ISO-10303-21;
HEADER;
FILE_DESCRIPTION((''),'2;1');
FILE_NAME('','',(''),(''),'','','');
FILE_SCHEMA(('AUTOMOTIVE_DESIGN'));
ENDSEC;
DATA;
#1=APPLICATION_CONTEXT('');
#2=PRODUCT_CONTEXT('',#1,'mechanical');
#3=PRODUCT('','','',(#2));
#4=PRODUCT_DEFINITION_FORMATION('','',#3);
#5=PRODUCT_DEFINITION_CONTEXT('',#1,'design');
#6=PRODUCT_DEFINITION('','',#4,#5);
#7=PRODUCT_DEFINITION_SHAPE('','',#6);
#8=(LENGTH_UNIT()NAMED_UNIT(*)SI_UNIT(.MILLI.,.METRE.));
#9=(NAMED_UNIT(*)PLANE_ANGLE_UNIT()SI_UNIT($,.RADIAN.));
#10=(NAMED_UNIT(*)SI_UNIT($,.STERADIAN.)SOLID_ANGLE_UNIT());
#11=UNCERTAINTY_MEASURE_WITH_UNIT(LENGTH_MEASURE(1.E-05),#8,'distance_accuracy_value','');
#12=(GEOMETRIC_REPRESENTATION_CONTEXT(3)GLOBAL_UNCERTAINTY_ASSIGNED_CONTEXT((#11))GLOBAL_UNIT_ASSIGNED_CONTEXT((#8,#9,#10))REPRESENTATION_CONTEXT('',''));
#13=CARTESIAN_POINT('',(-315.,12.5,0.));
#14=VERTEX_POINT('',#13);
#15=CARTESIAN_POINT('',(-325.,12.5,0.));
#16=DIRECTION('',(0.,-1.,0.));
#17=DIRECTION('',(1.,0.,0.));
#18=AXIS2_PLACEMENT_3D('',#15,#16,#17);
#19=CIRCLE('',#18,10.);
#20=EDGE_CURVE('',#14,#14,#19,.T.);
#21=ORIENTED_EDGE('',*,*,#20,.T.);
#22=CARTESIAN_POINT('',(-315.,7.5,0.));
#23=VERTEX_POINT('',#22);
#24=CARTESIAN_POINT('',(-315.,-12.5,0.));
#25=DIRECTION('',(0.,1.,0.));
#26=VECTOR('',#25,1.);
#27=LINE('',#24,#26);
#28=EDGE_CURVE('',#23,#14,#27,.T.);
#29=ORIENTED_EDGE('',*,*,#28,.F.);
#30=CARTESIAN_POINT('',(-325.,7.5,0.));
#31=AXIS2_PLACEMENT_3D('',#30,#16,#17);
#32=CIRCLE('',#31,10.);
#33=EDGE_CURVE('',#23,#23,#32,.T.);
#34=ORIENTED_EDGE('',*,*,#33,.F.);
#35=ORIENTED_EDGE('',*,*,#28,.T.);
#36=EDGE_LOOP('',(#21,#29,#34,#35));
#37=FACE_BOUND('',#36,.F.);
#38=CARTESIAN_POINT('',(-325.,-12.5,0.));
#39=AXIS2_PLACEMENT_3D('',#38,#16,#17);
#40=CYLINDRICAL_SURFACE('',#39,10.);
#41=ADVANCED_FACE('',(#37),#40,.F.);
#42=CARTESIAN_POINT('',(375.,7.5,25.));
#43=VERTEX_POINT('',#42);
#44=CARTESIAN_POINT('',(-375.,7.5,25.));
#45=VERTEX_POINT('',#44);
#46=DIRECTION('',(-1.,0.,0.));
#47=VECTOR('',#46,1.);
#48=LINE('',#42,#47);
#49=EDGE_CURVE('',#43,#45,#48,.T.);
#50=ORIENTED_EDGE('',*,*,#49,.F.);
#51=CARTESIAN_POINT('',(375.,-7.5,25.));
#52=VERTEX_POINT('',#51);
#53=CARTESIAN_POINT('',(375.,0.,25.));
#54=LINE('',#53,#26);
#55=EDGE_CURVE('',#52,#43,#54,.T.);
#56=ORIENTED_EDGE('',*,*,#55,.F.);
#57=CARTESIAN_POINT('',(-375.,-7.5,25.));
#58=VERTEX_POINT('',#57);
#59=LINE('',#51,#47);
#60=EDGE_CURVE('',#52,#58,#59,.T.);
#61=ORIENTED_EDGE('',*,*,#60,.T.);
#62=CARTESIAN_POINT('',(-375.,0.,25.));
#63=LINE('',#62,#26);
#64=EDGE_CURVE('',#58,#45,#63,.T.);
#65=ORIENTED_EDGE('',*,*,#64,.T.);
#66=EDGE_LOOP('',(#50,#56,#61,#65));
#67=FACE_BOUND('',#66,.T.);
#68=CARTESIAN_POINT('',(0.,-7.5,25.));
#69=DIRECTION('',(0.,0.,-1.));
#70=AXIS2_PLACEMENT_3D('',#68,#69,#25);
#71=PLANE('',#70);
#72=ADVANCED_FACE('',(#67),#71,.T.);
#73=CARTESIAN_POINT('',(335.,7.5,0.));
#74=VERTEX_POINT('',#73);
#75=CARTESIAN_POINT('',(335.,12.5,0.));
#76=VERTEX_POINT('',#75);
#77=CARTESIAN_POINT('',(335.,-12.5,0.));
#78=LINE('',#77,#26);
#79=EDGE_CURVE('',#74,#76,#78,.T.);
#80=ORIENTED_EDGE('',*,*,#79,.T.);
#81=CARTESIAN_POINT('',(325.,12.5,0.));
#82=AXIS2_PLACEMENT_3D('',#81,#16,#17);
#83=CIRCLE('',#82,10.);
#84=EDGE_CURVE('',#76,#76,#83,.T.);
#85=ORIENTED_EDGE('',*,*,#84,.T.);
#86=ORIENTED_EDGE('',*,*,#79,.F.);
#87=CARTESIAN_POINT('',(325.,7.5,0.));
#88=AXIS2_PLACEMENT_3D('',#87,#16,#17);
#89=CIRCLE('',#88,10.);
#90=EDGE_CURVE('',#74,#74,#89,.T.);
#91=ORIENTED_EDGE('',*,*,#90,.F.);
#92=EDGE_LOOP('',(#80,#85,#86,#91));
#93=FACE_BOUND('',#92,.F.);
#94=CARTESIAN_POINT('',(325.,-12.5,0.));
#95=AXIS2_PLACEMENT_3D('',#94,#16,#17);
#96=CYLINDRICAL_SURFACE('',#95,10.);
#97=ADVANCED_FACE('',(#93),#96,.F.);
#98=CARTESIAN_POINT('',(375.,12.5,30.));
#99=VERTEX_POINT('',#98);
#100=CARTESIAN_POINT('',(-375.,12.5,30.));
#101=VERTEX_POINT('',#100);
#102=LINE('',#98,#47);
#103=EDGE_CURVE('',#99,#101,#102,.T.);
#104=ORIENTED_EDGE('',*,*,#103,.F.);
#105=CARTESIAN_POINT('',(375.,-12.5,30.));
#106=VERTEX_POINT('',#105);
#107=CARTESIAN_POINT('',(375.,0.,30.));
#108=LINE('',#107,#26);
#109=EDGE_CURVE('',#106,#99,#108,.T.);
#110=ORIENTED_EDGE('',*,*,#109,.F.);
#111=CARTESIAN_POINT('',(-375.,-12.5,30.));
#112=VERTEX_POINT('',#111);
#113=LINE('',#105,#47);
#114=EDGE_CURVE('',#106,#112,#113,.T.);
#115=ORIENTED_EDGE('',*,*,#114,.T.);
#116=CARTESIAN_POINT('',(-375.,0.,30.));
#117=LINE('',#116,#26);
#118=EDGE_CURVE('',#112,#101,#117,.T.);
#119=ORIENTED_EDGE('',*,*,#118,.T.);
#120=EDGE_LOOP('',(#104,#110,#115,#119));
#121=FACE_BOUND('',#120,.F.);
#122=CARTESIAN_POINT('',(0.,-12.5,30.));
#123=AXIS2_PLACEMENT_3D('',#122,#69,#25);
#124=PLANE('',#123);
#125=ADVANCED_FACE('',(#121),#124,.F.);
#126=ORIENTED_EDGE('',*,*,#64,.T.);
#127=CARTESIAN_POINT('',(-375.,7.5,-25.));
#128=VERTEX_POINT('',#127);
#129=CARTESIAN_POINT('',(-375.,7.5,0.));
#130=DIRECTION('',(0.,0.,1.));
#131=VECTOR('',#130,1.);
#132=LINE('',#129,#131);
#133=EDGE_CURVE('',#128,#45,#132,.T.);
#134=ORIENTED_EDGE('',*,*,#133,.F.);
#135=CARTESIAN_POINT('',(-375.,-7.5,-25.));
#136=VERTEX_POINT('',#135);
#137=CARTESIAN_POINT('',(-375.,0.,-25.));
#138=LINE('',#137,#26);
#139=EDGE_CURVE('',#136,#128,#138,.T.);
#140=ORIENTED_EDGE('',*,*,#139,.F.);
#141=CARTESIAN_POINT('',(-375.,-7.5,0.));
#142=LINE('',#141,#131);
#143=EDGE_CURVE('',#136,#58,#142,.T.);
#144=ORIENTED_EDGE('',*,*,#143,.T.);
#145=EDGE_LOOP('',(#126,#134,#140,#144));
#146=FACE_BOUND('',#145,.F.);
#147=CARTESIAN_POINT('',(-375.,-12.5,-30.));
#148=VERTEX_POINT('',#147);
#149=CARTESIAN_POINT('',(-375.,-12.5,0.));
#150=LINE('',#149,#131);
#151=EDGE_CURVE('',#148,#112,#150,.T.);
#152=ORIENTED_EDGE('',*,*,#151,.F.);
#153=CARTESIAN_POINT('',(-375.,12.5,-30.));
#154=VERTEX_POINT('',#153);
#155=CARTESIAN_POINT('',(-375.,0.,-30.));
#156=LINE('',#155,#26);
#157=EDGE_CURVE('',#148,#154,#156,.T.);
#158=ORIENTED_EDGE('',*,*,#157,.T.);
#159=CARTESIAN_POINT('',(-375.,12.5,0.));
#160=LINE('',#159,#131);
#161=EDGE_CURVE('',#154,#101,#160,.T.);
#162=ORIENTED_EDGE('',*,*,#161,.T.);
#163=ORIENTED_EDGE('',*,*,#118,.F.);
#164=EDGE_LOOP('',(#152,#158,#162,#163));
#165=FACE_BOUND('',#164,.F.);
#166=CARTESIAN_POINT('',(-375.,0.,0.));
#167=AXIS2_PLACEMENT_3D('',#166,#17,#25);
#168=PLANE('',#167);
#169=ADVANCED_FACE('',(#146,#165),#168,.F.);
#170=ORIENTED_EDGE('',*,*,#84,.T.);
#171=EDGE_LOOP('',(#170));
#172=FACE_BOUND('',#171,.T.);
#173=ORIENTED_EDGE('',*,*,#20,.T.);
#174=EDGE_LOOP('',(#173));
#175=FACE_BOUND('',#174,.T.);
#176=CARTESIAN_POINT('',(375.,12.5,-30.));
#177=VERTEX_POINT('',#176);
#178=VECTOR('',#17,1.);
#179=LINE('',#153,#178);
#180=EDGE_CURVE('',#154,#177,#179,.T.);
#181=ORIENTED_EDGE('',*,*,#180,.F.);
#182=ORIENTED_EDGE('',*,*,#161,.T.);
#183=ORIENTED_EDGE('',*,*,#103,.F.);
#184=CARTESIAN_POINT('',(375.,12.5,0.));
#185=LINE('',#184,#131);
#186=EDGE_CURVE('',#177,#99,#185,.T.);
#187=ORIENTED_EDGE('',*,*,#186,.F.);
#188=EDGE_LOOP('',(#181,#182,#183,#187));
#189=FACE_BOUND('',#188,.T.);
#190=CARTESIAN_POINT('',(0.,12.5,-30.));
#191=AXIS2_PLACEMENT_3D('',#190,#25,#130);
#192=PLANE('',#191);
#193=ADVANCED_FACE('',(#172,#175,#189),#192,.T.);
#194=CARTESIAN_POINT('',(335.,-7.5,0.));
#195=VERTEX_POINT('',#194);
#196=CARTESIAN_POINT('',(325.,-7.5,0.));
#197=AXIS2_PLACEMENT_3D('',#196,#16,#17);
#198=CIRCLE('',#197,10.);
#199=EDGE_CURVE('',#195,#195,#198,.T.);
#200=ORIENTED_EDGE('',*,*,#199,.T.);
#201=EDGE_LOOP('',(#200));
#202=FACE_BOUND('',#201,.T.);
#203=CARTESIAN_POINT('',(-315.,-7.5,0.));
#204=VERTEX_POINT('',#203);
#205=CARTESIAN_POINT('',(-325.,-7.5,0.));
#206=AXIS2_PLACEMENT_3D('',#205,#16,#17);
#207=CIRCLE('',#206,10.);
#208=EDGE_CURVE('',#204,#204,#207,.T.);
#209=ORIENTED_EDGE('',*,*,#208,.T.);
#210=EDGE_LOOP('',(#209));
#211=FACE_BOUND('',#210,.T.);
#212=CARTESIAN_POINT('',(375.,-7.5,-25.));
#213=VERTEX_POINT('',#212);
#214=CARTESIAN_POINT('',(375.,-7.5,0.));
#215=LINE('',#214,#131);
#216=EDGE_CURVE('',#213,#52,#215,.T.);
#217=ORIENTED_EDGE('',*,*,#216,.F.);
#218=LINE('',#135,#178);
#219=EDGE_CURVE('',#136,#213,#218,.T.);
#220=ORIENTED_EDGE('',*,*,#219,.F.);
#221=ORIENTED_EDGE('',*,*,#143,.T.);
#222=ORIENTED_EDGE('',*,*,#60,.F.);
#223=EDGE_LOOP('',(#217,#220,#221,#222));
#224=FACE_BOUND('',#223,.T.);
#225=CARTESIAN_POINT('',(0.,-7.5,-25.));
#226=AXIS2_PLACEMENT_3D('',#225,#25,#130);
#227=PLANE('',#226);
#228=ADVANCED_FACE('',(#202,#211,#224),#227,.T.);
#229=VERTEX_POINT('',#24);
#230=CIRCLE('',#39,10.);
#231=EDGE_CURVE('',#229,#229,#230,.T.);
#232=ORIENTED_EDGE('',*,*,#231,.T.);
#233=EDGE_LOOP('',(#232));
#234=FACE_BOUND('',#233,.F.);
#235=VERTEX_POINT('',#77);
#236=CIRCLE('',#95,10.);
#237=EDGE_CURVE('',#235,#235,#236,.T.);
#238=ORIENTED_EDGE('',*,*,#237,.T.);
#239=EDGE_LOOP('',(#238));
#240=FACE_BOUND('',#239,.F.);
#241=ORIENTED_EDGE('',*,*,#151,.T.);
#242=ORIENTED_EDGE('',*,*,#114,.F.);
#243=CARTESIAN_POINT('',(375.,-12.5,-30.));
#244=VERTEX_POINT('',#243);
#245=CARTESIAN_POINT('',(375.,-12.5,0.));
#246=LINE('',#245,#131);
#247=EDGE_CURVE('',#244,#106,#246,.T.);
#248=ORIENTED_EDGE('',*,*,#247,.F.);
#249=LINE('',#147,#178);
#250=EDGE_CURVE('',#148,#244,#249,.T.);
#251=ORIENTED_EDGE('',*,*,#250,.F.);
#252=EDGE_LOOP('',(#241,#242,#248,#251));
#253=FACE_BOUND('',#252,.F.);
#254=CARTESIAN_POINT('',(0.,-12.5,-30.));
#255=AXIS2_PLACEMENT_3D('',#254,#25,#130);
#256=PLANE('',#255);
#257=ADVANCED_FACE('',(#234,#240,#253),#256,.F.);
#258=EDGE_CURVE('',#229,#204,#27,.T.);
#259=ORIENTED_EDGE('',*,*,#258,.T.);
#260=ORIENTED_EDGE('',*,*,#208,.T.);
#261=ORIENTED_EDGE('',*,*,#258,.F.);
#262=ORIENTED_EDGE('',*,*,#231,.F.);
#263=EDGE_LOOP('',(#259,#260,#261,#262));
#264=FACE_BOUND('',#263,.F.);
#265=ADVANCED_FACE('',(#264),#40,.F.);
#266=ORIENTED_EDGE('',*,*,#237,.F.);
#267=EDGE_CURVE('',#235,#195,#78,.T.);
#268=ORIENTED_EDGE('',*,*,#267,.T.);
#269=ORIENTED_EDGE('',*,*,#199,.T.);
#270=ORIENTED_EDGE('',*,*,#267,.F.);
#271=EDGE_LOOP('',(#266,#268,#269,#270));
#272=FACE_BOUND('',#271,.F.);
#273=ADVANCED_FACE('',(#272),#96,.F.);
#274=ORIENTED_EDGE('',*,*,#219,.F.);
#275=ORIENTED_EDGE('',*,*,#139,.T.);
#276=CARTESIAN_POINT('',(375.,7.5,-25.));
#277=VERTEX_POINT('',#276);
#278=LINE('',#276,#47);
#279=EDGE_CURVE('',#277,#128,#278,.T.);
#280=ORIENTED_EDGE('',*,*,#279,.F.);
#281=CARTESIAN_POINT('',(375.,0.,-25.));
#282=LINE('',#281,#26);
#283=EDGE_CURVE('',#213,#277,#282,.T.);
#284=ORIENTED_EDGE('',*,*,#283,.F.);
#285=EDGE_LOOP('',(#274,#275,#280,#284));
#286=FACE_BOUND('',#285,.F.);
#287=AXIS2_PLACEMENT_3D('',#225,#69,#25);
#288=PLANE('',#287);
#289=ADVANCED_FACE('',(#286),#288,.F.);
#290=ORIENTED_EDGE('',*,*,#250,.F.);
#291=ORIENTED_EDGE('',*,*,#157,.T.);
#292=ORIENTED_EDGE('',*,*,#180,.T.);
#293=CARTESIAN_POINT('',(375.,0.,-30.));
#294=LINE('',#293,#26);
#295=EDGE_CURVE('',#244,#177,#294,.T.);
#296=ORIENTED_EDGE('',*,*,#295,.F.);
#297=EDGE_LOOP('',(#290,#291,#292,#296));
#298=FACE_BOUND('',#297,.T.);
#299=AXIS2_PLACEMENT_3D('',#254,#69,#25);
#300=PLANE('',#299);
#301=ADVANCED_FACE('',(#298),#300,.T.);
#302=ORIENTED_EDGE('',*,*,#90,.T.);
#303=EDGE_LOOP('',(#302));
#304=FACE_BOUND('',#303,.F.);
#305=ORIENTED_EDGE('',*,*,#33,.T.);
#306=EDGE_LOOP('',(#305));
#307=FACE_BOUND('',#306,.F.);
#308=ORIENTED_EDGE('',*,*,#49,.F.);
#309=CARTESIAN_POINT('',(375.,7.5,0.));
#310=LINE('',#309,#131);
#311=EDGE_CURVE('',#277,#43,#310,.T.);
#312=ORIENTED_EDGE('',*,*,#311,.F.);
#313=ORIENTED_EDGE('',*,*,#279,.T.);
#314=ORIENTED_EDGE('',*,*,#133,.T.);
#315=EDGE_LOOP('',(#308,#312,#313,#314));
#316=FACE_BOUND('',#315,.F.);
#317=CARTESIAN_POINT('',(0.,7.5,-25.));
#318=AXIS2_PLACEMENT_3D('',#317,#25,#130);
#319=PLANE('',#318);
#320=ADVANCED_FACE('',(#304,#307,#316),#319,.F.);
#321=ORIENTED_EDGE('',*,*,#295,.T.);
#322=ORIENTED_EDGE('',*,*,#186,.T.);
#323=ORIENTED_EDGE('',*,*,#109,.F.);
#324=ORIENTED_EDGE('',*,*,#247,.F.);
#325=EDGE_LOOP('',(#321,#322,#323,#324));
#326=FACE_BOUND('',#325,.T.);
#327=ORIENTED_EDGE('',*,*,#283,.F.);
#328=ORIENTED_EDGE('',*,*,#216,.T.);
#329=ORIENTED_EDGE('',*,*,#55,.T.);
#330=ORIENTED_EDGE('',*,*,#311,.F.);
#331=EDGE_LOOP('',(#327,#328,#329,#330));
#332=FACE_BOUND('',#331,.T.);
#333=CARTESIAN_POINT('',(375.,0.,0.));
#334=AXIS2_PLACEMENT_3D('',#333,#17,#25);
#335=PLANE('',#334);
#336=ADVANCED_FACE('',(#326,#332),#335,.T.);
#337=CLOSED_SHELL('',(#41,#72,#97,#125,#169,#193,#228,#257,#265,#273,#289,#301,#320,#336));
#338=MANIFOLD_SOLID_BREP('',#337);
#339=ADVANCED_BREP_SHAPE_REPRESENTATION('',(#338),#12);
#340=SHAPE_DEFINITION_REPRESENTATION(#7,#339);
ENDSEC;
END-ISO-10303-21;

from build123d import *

# Parameters (mm, degrees)
F0_W     = 25
F0_H     = 60
F0_W_2   = 15
F0_H_2   = 50
F1_DEPTH = 375
F2_R     = 10
F3_DEPTH = 25.001


with BuildPart() as f1:
    # F0 (on Right) → F1 (new body, symmetric)
    with BuildSketch(Plane.YZ):
        Rectangle(F0_W, F0_H)
        Rectangle(F0_W_2, F0_H_2, mode=Mode.SUBTRACT)
    extrude(amount=F1_DEPTH, both=True)

    # F2 (on face) → F3 (cut, through all)
    with BuildSketch(Plane.XZ.offset(12.5)):
        with Locations((-325, 0)):
            Circle(F2_R)
        with Locations((325, 0)):
            Circle(F2_R)
    extrude(amount=-F3_DEPTH, mode=Mode.SUBTRACT)


solid = f1.part
